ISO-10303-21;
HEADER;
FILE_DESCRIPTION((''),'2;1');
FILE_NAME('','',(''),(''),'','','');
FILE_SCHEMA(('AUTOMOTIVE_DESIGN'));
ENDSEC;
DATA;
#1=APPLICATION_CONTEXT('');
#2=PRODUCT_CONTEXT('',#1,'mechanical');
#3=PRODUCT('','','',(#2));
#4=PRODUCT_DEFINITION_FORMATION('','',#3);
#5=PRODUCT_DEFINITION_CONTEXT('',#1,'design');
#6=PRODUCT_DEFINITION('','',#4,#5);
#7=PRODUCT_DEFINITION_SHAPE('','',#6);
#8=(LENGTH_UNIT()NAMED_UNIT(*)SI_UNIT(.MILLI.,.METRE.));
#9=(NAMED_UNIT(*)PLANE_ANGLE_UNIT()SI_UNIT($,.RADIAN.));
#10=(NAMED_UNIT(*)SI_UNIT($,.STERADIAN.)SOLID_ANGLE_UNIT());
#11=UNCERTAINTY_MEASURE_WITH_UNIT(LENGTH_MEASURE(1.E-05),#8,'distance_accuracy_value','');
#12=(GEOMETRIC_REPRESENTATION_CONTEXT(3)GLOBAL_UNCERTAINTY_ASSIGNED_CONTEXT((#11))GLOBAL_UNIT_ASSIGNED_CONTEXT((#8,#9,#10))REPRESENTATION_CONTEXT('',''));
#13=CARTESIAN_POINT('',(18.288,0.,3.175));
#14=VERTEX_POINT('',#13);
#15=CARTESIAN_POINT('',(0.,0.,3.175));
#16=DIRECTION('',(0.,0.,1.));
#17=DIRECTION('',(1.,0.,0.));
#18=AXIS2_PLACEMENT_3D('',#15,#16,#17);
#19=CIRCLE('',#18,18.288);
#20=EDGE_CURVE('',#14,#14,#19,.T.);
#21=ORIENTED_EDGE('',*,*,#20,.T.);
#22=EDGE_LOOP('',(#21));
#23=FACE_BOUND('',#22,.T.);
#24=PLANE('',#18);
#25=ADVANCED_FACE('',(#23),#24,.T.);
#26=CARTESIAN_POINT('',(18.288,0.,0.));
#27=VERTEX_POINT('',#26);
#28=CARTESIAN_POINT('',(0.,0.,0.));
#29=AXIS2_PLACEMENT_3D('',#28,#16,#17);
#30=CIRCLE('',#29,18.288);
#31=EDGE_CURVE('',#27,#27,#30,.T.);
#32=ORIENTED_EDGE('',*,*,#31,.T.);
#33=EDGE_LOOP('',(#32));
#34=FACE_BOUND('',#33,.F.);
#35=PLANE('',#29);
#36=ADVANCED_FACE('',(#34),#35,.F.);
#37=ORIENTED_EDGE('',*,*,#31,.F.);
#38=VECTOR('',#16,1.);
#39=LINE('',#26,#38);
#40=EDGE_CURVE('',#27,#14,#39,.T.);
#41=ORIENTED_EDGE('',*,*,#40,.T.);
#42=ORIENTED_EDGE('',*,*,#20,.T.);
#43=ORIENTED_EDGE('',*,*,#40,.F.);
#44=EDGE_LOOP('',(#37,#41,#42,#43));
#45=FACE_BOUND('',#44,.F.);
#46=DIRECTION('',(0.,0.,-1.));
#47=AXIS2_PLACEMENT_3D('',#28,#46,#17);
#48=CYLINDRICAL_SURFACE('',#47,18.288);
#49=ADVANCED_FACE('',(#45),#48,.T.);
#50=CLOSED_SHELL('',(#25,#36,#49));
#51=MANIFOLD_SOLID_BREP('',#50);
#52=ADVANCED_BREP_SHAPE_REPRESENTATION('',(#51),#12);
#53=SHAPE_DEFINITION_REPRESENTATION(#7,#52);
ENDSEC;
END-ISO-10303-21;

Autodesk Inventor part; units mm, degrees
ref_plane "YZ Plane" through (0, 0, 0) normal (1, 0, 0) x (0, 1, 0)
ref_plane "XZ Plane" through (0, 0, 0) normal (0, 1, 0) x (-1, 0, 0)
ref_plane "XY Plane" through (0, 0, 0) normal (0, 0, 1) x (1, 0, 0)
sketch "Sketch1" plane through (0, 0, 0) normal (0, 0, 1) x (1, 0, 0)
  circle A0 centre (0, 0) radius 18.288
  dimension "d0" = 36.576
  dimension "d0" = 36.576
extrude "Extrusion1" add sketch "Sketch1" along normal blind 3.175
properties part number "cam.case.glass" material "Glass"
